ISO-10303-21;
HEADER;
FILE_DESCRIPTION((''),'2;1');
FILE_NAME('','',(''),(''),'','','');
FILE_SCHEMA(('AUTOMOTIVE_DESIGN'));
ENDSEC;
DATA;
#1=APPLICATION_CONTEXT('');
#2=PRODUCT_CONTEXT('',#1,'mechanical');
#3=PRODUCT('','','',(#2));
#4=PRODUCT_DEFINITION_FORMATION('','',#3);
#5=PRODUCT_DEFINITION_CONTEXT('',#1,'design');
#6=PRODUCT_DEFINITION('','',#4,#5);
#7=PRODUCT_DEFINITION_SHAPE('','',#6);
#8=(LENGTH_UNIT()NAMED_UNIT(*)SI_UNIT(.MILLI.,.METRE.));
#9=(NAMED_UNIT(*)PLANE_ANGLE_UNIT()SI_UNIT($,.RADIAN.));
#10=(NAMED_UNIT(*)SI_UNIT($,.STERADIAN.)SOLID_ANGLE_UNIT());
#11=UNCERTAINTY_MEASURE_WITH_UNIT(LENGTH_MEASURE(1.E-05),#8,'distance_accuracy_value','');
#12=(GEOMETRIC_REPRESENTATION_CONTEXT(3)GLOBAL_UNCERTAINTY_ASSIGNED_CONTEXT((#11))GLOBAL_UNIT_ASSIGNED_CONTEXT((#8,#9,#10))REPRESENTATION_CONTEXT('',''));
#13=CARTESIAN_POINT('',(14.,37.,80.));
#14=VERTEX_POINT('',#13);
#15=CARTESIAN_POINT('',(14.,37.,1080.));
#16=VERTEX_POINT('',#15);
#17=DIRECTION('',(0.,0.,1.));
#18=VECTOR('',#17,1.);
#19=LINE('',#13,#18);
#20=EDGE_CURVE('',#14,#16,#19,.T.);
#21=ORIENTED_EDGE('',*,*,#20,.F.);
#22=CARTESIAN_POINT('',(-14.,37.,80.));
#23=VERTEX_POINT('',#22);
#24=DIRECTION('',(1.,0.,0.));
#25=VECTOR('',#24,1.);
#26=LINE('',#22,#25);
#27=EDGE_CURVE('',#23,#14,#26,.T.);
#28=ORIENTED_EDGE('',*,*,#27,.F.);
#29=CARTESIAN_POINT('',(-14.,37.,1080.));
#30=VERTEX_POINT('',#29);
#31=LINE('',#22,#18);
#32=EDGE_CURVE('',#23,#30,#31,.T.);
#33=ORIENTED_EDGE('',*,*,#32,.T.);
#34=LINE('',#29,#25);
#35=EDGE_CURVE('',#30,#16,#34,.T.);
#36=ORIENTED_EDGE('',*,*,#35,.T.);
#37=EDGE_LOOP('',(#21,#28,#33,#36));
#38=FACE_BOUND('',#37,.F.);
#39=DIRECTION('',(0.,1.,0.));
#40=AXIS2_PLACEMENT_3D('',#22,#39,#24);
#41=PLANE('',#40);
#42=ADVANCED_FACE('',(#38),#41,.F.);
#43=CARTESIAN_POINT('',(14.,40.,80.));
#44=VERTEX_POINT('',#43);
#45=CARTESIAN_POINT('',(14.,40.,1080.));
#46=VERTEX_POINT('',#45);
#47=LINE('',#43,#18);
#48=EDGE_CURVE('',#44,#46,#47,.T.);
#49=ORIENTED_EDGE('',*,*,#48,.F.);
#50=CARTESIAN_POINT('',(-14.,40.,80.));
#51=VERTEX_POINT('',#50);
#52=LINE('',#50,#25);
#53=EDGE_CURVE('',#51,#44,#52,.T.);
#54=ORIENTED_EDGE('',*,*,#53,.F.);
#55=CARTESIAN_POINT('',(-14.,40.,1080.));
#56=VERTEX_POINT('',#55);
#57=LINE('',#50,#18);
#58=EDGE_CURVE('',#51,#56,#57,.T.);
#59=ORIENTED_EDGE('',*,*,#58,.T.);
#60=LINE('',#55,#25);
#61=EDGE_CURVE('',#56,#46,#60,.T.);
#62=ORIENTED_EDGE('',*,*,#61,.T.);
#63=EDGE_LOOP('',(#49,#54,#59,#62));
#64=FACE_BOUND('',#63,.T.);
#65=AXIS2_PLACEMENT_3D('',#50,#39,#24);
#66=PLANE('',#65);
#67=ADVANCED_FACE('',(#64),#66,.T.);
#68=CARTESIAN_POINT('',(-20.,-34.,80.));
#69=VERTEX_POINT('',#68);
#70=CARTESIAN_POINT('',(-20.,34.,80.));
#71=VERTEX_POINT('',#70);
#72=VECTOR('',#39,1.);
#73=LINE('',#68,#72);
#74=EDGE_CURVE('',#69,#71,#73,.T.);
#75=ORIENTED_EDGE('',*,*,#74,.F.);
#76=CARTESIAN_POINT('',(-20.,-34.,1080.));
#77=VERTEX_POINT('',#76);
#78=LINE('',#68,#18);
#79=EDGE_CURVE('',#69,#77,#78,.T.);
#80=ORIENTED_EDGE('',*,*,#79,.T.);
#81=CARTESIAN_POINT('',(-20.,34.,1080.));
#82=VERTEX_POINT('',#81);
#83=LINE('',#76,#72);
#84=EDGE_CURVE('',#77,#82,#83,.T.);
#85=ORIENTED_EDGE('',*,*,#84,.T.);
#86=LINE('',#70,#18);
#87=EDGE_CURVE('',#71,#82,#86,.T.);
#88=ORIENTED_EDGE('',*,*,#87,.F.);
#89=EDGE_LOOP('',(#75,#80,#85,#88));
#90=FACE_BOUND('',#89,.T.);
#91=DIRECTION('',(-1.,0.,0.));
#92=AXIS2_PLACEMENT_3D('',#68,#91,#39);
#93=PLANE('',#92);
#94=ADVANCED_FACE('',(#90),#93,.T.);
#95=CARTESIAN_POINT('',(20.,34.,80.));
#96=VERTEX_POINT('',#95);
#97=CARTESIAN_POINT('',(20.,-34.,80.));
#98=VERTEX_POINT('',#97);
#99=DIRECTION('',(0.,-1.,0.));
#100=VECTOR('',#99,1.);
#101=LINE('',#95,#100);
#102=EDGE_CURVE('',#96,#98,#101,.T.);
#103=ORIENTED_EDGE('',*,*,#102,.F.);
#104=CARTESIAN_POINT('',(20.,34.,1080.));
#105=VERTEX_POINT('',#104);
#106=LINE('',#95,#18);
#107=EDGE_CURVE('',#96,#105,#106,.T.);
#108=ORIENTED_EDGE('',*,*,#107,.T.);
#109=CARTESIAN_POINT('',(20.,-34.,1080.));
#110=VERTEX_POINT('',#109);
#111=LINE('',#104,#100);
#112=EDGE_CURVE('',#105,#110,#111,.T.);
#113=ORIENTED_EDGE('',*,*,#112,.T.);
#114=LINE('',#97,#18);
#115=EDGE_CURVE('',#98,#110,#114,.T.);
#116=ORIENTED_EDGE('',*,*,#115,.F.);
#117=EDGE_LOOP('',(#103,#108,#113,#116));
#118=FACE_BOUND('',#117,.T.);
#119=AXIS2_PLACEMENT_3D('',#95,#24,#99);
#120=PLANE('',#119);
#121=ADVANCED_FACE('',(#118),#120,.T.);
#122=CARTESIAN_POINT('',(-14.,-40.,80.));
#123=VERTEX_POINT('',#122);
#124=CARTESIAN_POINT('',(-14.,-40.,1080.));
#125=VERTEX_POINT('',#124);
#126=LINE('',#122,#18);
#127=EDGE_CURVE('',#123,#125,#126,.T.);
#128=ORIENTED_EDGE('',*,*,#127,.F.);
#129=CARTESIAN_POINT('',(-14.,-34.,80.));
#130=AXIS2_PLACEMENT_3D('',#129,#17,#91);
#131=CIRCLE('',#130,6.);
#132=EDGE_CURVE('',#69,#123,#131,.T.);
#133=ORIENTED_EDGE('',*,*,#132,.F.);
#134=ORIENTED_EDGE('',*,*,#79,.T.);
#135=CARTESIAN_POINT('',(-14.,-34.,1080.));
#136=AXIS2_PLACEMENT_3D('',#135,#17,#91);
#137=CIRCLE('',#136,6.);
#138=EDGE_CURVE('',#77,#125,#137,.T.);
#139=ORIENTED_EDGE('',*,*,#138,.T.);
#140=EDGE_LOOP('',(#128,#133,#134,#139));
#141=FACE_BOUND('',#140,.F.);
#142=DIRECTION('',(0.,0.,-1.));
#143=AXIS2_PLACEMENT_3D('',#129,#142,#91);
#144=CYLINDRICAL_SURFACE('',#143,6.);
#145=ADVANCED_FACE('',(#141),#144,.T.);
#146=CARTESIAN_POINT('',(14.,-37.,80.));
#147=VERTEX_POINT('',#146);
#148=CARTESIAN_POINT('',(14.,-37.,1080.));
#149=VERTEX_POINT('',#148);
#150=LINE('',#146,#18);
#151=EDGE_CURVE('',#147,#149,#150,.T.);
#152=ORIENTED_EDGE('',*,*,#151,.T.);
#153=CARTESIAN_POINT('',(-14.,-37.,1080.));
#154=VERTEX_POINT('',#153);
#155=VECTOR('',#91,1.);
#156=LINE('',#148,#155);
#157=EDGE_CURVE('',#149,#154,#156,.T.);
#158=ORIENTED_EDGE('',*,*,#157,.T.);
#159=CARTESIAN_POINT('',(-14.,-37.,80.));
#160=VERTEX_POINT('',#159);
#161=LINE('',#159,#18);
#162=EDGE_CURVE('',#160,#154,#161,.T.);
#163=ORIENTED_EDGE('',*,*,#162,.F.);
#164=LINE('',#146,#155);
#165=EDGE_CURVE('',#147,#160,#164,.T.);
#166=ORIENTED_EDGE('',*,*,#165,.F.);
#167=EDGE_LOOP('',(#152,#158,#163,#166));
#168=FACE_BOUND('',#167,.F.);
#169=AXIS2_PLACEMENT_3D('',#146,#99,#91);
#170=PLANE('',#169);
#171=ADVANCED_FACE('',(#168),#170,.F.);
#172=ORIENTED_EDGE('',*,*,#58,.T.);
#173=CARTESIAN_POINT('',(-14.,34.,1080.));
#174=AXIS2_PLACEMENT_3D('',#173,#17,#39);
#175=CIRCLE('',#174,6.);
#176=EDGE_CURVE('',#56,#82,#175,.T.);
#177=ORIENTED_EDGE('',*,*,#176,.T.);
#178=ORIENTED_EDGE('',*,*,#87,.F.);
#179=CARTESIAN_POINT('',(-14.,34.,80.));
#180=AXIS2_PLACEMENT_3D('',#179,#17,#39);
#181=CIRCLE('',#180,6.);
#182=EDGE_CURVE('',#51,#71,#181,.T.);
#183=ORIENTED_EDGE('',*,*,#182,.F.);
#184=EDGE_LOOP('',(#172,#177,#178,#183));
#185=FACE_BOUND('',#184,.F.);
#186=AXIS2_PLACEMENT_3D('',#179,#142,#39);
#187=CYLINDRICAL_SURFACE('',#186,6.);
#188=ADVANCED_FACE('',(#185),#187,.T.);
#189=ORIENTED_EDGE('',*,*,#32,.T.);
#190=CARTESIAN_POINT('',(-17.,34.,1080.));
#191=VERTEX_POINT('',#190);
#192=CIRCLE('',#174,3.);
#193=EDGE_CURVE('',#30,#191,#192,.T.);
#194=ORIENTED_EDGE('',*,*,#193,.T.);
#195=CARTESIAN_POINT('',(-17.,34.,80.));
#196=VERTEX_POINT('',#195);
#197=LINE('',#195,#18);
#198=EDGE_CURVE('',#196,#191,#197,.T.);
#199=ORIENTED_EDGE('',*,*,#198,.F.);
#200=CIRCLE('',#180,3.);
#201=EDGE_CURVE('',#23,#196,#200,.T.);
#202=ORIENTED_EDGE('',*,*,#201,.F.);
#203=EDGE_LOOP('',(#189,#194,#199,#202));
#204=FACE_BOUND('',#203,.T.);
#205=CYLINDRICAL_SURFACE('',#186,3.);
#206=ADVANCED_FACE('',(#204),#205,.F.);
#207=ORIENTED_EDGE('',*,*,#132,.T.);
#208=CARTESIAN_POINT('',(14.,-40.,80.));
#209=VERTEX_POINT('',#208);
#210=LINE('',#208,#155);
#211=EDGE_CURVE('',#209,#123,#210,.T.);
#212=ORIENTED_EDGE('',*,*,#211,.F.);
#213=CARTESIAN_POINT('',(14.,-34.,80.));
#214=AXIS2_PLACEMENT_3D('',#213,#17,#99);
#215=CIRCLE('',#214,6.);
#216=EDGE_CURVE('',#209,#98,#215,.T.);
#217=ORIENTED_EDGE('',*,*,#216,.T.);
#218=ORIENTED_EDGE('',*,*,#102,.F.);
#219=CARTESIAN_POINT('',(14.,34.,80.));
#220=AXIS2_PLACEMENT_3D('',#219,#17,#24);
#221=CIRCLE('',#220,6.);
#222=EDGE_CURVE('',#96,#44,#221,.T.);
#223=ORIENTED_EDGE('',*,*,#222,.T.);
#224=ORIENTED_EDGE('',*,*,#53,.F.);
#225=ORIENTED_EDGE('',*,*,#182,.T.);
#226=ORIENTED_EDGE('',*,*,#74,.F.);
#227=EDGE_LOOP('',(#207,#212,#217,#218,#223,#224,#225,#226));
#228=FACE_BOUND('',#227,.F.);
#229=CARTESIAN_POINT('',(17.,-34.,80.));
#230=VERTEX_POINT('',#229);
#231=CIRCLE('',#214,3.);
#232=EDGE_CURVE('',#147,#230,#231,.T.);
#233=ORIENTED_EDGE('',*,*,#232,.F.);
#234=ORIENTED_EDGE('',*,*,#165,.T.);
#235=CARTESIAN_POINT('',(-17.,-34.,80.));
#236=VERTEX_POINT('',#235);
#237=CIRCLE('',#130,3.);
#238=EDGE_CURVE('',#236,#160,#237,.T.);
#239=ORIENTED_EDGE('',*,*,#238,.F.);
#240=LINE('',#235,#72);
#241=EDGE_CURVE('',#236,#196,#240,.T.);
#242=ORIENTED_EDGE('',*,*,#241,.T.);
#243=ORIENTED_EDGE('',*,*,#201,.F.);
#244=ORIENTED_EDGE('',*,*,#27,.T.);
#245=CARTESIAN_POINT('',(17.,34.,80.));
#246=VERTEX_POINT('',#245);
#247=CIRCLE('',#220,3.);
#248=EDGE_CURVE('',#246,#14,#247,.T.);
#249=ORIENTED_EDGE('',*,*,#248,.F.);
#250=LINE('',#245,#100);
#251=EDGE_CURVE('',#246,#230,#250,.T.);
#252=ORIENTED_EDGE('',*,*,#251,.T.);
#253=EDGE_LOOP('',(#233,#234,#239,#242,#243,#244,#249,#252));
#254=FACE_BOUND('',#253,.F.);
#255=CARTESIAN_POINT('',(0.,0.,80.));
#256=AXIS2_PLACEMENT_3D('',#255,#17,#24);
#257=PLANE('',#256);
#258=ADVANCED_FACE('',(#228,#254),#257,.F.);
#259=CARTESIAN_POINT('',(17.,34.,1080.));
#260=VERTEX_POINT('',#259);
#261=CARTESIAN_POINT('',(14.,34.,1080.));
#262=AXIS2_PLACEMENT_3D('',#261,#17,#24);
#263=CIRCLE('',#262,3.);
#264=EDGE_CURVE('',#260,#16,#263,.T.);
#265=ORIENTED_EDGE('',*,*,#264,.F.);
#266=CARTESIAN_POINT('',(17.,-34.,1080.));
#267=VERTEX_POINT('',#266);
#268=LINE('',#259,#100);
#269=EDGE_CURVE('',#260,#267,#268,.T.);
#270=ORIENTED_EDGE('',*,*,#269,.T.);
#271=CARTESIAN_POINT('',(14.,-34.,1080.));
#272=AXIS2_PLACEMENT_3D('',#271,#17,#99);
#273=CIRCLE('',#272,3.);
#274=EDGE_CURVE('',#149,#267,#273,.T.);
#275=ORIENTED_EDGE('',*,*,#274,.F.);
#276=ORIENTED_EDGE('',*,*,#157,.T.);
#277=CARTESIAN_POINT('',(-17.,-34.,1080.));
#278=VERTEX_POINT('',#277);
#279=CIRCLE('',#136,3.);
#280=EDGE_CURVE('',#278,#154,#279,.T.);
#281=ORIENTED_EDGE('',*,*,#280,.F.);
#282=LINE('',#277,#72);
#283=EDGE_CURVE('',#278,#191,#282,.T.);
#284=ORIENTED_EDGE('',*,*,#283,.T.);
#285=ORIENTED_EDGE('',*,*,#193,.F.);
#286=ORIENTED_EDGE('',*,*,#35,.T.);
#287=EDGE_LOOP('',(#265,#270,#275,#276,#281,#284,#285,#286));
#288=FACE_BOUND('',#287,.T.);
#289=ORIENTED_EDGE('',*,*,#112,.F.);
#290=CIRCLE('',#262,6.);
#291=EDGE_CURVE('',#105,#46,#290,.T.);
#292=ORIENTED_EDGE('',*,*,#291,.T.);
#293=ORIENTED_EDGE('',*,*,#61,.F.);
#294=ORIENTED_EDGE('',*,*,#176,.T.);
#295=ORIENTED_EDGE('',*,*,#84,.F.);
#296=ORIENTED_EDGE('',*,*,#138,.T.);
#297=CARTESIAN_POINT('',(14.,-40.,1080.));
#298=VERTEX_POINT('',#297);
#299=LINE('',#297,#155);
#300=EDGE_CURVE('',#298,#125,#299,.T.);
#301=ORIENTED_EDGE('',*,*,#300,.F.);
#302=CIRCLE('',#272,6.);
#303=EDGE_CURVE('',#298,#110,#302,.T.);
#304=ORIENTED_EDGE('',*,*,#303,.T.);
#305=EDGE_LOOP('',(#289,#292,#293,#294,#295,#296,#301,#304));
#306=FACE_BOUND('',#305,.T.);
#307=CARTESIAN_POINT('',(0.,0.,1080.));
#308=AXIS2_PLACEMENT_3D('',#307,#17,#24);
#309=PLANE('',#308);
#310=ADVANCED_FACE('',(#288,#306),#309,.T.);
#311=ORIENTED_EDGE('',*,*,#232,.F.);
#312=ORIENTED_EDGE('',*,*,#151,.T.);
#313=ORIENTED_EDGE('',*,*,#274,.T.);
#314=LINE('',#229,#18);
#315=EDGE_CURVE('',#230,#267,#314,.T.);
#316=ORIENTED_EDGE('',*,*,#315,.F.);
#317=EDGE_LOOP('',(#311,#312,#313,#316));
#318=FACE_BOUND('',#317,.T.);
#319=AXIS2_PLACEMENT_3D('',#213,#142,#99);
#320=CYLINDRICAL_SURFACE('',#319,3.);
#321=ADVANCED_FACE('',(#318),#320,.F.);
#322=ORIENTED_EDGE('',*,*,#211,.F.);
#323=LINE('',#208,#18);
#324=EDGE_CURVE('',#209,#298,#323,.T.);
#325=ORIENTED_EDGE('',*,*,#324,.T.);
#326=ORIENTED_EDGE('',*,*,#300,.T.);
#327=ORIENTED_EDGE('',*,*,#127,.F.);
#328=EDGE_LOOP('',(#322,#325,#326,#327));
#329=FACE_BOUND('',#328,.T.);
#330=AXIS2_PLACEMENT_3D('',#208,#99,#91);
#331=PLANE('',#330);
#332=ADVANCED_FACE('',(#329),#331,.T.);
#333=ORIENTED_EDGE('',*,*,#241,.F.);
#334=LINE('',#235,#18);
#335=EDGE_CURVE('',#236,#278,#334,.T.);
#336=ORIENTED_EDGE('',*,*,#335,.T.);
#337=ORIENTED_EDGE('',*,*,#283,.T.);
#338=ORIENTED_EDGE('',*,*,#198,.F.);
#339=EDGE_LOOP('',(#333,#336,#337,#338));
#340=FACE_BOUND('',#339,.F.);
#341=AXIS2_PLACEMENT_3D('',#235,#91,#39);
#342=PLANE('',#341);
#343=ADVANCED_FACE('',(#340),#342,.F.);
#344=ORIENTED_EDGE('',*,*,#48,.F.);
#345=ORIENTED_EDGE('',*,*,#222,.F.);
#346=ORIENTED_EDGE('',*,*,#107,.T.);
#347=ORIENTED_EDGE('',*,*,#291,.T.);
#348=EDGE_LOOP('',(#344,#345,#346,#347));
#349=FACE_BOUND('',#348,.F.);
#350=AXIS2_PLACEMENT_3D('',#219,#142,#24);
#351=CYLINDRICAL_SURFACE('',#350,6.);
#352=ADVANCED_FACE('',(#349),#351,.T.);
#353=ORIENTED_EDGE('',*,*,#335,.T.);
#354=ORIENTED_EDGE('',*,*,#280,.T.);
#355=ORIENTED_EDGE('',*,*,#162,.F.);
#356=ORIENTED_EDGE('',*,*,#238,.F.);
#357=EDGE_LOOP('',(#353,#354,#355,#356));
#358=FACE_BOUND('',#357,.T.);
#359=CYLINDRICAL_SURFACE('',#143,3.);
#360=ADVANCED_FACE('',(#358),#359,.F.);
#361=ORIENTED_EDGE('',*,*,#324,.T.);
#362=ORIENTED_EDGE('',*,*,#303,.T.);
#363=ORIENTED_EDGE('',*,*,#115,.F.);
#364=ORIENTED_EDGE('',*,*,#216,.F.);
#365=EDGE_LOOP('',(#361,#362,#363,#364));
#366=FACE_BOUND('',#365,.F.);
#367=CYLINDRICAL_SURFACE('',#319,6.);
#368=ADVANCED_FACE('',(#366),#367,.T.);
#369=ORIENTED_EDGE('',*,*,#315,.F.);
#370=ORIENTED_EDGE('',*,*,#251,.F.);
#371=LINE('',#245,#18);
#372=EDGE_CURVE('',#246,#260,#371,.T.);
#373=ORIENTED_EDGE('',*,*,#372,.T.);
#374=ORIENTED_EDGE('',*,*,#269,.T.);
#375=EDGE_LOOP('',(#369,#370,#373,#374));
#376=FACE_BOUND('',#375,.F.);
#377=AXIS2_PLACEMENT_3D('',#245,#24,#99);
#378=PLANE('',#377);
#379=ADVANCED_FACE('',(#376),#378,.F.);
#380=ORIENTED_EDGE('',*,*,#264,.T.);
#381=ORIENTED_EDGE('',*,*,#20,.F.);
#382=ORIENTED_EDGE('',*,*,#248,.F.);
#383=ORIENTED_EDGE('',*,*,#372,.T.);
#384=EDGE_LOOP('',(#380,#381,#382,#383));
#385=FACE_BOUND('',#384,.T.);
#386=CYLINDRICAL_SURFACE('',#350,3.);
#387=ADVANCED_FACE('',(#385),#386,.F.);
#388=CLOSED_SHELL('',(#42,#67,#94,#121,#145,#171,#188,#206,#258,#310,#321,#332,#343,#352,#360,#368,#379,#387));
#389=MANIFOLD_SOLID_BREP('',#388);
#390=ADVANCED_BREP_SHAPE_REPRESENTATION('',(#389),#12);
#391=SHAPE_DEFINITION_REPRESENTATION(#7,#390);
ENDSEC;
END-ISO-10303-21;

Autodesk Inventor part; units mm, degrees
ref_plane "YZ Plane" through (0, 0, 0) normal (1, 0, 0) x (0, 1, 0)
ref_plane "Start Plane" through (0, 0, 80) normal (0, 0, 1) x (1, 0, 0)
ref_plane "End Plane" through (0, 0, 1080) normal (0, 0, 1) x (1, 0, 0)
sketch "Sketch" plane through (0, 0, 0) normal (0, 0, 1) x (1, 0, 0)
  line L0 (-20, -34) -> (-20, 34)
  line L1 (-14, 40) -> (14, 40)
  line L2 (20, 34) -> (20, -34)
  line L3 (14, -40) -> (-14, -40)
  arc A0 (-20, -34) -> (-14, -40) centre (-14, -34) ccw
  arc A1 (20, 34) -> (14, 40) centre (14, 34) ccw
  arc A2 (-14, 40) -> (-20, 34) centre (-14, 34) ccw
  arc A3 (14, -40) -> (20, -34) centre (14, -34) ccw
  arc A4 (-14, 37) -> (-17, 34) centre (-14, 34) ccw
  line L4 (-14, 37) -> (14, 37)
  arc A5 (17, 34) -> (14, 37) centre (14, 34) ccw
  line L5 (17, 34) -> (17, -34)
  arc A6 (14, -37) -> (17, -34) centre (14, -34) ccw
  line L6 (14, -37) -> (-14, -37)
  arc A7 (-17, -34) -> (-14, -37) centre (-14, -34) ccw
  line L7 (-17, -34) -> (-17, 34)
  line L8 (0, 57.7397) -> (0, -57.7397) construction
  line L9 (-29.7397, 0) -> (29.7397, 0) construction
  dimension "d7" = 6
  dimension "d9" = 40
  dimension "d11" = 80
  dimension "d12" = 3
  dimension "d15" = 20
  dimension "d16" = 40
extrude "Body" add sketch "Sketch" along normal up to surface (1000 mm away) from surface at 80
sketch "Sketch3" plane through (0, 0, 0) normal (0, 0, 1) x (1, 0, 0)
  line L0 (0, 0) -> (10, 0)
ref_plane "Work Plane3" through (0, 0, 0) normal (0, -1, 0) x (1, 0, 0)
sketch "Sketch4" plane through (0, 0, 0) normal (0, -1, 0) x (1, 0, 0)
  line L0 (-2, 80) -> (12, 80) projected
  line L1 (-2, 1080) -> (12, 1080) projected
  dimension "d18" = 1000
equation "\"d7\" = G_IR"
equation "\"d9\" = G_W"
equation "\"d11\" = G_H"
equation "\"d12\" = G_T"
equation "\"d15\" = 0.5 * d9"
equation "\"d16\" = 0.5 * d11"
equation "\"d3\" = G_L"
equation "\"G_W\" = 40"
equation "\"G_H\" = 80"
equation "\"G_T\" = 3"
equation "\"G_IR\" = 6"
equation "\"G_L\" = d18"
properties part number "ISO 10799-2 - 80x40x3 - 1000" material "Steel, Mild"
